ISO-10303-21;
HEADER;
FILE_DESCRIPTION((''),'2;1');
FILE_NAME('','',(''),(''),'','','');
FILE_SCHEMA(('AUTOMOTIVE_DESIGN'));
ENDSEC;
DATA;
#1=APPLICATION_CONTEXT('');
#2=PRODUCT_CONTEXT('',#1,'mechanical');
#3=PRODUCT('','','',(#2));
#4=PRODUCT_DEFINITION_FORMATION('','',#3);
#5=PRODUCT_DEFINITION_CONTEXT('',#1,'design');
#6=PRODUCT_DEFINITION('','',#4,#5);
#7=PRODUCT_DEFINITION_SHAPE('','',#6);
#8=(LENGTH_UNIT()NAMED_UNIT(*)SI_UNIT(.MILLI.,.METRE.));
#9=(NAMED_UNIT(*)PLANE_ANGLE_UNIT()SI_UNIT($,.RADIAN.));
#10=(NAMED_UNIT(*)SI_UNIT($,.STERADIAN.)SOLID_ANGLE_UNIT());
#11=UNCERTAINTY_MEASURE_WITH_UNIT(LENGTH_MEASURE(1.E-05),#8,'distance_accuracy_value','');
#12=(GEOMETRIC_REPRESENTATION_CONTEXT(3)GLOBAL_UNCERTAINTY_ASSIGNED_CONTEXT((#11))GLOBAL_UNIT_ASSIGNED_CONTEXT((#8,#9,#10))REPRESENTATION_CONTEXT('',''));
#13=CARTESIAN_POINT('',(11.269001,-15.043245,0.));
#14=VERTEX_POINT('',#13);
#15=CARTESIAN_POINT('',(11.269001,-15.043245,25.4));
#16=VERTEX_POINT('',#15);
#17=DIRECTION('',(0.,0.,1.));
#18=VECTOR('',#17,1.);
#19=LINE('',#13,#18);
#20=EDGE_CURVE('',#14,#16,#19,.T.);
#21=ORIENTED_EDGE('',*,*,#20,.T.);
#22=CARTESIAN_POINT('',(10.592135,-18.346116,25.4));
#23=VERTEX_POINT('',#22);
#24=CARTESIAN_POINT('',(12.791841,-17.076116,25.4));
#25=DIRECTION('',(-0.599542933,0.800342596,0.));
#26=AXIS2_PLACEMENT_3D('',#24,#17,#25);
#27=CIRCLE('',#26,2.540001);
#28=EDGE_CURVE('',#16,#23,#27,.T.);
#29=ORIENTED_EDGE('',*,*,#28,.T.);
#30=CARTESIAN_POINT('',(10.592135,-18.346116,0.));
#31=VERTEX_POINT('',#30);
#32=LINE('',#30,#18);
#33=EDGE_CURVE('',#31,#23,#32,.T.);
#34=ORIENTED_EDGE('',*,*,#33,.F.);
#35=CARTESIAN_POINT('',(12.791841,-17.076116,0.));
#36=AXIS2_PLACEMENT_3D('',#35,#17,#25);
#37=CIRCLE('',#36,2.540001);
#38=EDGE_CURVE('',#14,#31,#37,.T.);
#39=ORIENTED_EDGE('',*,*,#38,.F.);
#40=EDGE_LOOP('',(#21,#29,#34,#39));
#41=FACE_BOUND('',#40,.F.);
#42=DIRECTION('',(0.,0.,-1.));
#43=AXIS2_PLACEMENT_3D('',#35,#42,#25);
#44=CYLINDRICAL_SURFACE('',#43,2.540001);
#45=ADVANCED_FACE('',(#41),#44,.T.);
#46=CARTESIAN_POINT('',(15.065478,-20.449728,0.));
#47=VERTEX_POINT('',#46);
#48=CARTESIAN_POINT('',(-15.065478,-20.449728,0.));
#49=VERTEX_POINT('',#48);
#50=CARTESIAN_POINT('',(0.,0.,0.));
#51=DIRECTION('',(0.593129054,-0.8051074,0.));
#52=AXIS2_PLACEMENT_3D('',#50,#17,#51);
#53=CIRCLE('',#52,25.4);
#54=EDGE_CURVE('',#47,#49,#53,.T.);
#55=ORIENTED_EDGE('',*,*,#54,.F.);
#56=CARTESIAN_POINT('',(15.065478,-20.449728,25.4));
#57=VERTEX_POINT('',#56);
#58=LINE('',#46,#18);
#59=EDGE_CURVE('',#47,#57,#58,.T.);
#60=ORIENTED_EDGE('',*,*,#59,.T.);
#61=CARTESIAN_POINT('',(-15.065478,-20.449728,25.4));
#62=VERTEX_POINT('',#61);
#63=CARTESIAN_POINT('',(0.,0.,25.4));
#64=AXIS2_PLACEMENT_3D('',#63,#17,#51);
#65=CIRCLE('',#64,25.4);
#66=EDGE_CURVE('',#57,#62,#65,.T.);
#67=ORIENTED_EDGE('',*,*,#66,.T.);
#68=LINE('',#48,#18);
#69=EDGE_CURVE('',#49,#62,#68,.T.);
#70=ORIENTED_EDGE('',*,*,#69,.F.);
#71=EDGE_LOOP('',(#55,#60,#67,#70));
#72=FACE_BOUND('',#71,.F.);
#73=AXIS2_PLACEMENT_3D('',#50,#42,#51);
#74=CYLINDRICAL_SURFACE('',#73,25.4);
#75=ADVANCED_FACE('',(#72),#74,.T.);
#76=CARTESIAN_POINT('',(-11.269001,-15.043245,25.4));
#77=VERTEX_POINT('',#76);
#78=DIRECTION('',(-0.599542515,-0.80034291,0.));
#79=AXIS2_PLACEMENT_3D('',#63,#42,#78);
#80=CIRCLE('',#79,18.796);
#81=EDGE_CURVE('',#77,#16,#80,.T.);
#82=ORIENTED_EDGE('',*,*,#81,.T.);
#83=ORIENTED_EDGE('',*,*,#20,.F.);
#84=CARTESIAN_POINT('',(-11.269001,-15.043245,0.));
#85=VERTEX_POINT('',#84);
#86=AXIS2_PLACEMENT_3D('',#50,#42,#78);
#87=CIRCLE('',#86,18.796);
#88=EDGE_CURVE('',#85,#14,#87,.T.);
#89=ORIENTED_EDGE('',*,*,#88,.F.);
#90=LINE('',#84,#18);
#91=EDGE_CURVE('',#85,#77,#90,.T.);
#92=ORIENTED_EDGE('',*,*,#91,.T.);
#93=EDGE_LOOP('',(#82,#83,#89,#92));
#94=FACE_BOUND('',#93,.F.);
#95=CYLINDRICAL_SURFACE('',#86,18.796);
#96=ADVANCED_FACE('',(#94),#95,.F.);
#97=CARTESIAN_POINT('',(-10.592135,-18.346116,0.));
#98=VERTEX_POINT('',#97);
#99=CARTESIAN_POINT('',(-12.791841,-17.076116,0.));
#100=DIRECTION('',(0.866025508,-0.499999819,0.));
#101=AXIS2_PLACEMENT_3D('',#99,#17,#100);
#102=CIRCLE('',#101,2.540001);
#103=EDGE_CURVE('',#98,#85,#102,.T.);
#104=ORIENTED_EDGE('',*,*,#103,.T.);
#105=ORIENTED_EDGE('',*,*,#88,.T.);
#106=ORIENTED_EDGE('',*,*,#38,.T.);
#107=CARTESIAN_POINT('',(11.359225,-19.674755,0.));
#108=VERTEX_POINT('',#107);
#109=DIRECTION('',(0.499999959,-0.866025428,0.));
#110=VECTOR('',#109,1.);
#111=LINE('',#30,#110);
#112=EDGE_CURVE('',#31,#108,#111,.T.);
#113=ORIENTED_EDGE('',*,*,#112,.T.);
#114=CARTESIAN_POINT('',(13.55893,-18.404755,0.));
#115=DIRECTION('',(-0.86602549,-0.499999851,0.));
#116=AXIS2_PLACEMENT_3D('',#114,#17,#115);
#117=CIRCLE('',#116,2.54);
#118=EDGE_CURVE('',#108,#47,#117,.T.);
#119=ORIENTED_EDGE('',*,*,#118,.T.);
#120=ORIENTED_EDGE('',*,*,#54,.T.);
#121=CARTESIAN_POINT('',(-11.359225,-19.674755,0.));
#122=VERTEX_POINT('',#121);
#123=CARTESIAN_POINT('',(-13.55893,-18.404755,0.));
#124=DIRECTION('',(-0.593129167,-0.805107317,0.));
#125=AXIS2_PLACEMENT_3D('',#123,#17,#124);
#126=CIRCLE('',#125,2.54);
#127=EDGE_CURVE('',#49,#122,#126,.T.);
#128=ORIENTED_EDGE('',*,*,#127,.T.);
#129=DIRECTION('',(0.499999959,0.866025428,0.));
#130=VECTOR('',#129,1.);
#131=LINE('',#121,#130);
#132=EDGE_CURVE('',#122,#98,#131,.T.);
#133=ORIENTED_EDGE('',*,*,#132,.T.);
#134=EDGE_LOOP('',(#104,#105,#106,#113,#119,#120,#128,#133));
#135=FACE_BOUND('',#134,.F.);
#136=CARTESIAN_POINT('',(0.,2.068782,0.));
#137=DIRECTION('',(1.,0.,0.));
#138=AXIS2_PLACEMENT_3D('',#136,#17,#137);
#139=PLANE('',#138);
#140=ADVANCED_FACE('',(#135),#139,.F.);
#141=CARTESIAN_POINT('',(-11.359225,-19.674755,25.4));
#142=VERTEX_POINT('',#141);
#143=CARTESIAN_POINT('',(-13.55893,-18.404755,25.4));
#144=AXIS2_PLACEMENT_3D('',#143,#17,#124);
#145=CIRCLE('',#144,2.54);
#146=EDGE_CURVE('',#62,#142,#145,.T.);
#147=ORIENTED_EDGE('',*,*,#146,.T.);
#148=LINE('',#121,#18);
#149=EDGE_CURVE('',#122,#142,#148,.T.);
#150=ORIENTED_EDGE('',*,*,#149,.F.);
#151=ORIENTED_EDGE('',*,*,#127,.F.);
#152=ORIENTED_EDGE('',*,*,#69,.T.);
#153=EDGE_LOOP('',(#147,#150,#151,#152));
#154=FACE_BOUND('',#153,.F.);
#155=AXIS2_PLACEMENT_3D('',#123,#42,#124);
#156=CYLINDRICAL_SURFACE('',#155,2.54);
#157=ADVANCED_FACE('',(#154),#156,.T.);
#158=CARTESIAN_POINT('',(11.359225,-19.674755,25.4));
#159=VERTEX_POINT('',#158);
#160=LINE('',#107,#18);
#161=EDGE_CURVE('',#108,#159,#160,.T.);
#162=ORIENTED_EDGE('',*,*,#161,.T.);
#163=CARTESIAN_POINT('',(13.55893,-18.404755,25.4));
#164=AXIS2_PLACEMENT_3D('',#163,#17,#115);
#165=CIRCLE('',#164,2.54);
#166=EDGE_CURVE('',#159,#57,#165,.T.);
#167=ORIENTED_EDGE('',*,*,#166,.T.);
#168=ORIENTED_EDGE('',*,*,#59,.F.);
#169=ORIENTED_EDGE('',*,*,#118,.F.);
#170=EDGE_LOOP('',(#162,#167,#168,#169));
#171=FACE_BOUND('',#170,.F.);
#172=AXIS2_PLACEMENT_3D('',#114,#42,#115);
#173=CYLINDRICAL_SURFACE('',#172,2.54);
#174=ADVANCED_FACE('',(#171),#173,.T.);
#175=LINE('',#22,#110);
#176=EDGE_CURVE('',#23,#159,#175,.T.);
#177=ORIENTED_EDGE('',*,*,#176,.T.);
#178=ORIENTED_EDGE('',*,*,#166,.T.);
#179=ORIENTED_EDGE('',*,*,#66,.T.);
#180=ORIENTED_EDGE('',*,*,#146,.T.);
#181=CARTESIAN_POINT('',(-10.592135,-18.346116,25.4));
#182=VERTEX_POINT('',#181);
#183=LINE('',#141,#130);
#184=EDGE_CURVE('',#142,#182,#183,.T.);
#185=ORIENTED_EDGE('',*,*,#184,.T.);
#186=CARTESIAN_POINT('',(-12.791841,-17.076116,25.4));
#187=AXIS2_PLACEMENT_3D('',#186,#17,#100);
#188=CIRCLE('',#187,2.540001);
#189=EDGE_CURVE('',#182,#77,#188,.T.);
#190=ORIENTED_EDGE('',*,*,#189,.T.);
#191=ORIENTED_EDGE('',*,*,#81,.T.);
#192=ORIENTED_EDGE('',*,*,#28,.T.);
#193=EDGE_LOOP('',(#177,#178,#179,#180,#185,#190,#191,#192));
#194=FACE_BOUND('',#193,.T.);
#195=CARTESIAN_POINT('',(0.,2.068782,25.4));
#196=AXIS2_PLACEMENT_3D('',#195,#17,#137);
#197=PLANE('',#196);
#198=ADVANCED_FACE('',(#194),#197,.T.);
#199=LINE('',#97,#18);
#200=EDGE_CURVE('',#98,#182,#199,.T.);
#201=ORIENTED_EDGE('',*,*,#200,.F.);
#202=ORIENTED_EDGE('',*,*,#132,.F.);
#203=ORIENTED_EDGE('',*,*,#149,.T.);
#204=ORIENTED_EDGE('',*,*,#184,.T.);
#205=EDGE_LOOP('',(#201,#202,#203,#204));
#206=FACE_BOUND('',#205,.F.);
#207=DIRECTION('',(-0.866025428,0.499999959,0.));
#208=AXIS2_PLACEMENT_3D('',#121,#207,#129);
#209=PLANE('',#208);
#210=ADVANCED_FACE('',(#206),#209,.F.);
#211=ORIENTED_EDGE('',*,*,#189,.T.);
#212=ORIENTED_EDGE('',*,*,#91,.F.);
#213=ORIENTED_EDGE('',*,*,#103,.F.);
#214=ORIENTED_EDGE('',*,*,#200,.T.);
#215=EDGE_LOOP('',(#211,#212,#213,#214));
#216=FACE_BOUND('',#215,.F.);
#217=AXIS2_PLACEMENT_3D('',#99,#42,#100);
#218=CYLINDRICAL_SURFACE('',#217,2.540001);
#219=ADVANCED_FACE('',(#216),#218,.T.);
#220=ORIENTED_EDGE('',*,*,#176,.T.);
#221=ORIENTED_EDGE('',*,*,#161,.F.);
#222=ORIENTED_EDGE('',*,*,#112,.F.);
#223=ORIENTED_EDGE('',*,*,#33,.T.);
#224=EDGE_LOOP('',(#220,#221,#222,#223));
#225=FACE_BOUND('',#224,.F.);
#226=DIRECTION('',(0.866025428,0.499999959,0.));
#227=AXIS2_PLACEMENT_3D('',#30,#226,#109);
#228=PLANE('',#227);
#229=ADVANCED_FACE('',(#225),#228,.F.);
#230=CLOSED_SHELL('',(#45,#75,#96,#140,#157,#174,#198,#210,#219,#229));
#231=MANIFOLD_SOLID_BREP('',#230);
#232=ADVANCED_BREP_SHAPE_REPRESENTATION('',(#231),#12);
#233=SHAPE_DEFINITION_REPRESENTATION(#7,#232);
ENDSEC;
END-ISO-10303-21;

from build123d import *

# Parameters (mm, degrees)
F1_DEPTH = 25.4


with BuildPart() as f1:
    # F0 (on Top) → F1 (new body)
    with BuildSketch(Plane.XY):
        with BuildLine():
            ThreePointArc((-11.269001, -15.043245), (0, 18.796), (11.269001, -15.043245))
            ThreePointArc((11.269001, -15.043245), (10.303553, -16.566185), (10.592135, -18.346116))
            Line((10.592135, -18.346116), (11.359225, -19.674755))
            ThreePointArc((11.359225, -19.674755), (13.039062, -20.890985), (15.065478, -20.449728))
            ThreePointArc((15.065478, -20.449728), (0, 25.4), (-15.065478, -20.449728))
            ThreePointArc((-15.065478, -20.449728), (-13.039062, -20.890985), (-11.359225, -19.674755))
            Line((-11.359225, -19.674755), (-10.592135, -18.346116))
            ThreePointArc((-10.592135, -18.346116), (-10.303553, -16.566185), (-11.269001, -15.043245))
        make_face()
    extrude(amount=F1_DEPTH)


solid = f1.part
